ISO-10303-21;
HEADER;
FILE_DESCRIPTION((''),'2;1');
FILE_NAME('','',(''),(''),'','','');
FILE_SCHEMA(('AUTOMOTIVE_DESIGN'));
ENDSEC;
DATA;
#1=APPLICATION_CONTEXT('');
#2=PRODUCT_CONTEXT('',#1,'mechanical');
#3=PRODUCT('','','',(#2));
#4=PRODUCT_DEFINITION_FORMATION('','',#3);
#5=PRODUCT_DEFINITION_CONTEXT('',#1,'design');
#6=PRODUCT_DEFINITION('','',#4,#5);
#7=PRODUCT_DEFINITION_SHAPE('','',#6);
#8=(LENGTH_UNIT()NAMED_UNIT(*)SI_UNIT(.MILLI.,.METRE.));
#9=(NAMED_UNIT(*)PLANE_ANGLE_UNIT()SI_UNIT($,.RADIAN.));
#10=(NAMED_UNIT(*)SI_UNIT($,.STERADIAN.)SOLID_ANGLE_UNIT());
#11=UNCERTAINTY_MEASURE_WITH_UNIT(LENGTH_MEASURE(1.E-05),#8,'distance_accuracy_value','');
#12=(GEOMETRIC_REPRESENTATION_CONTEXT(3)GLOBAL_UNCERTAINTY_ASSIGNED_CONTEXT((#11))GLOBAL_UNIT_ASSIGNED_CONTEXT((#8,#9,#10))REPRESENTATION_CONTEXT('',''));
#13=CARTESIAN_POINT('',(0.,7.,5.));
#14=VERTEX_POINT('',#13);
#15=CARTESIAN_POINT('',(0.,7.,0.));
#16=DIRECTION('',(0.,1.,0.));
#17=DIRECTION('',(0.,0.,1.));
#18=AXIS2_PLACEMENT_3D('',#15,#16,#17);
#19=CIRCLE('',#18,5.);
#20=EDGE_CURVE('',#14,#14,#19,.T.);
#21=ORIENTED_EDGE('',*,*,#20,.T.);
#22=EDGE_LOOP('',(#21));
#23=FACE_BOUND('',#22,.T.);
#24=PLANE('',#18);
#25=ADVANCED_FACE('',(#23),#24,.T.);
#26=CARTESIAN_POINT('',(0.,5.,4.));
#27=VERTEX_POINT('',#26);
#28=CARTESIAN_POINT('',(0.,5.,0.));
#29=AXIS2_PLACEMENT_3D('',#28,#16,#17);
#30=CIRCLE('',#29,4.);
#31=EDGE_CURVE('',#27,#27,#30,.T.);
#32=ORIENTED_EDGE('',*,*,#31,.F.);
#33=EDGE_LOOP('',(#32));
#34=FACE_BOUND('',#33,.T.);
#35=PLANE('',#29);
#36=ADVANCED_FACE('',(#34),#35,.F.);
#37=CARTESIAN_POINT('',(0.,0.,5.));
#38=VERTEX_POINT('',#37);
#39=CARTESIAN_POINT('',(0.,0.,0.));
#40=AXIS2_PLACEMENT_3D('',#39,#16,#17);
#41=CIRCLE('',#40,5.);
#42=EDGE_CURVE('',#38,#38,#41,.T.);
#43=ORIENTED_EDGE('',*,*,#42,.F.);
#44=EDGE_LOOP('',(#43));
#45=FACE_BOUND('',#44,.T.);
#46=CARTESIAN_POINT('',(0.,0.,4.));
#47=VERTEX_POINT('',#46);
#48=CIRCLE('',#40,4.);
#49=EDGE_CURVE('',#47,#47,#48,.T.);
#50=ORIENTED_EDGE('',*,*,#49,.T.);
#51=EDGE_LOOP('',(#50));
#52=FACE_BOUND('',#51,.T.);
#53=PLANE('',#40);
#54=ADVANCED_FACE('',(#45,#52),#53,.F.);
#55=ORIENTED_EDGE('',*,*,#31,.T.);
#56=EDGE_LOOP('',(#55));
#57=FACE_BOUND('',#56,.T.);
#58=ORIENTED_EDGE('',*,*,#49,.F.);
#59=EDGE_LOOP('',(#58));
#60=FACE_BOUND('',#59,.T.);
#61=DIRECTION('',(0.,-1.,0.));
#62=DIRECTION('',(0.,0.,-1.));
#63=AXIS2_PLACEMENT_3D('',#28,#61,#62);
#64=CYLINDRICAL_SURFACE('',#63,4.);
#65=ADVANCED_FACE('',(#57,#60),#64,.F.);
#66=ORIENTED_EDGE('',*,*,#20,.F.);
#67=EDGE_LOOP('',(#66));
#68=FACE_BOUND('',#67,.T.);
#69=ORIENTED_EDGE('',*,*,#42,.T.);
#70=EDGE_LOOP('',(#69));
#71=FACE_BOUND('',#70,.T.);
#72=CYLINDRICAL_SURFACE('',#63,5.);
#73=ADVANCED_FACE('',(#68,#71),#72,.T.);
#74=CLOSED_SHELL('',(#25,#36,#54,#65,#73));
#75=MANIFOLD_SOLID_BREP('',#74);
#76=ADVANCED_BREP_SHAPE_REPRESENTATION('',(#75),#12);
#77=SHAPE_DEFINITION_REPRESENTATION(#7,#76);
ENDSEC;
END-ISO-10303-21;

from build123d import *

# Parameters (mm, degrees)
SKETCH1_R           = 5
SKETCH1_R_2         = 4
BOSS_EXTRUDE1_DEPTH = 5
SKETCH2_R           = 5
BOSS_EXTRUDE2_DEPTH = 2


with BuildPart() as part:
    # Sketch1 → Boss-Extrude1 (new body)
    with BuildSketch(Plane(origin=(0, 0, 0), x_dir=(1, 0, 0), z_dir=(0, 1, 0))):
        with Locations(Location((0, 0, 0), (0, 0, 270))):
            Circle(SKETCH1_R)
        with Locations(Location((0, 0, 0), (0, 0, 270))):
            Circle(SKETCH1_R_2, mode=Mode.SUBTRACT)
    extrude(amount=BOSS_EXTRUDE1_DEPTH)

    # Sketch2 → Boss-Extrude2 (add)
    with BuildSketch(Plane(origin=(0, 5, 0), x_dir=(1, 0, 0), z_dir=(0, 1, 0))):
        with Locations(Location((0, 0, 0), (0, 0, 270))):
            Circle(SKETCH2_R)
    extrude(amount=BOSS_EXTRUDE2_DEPTH)


solid = part.part
